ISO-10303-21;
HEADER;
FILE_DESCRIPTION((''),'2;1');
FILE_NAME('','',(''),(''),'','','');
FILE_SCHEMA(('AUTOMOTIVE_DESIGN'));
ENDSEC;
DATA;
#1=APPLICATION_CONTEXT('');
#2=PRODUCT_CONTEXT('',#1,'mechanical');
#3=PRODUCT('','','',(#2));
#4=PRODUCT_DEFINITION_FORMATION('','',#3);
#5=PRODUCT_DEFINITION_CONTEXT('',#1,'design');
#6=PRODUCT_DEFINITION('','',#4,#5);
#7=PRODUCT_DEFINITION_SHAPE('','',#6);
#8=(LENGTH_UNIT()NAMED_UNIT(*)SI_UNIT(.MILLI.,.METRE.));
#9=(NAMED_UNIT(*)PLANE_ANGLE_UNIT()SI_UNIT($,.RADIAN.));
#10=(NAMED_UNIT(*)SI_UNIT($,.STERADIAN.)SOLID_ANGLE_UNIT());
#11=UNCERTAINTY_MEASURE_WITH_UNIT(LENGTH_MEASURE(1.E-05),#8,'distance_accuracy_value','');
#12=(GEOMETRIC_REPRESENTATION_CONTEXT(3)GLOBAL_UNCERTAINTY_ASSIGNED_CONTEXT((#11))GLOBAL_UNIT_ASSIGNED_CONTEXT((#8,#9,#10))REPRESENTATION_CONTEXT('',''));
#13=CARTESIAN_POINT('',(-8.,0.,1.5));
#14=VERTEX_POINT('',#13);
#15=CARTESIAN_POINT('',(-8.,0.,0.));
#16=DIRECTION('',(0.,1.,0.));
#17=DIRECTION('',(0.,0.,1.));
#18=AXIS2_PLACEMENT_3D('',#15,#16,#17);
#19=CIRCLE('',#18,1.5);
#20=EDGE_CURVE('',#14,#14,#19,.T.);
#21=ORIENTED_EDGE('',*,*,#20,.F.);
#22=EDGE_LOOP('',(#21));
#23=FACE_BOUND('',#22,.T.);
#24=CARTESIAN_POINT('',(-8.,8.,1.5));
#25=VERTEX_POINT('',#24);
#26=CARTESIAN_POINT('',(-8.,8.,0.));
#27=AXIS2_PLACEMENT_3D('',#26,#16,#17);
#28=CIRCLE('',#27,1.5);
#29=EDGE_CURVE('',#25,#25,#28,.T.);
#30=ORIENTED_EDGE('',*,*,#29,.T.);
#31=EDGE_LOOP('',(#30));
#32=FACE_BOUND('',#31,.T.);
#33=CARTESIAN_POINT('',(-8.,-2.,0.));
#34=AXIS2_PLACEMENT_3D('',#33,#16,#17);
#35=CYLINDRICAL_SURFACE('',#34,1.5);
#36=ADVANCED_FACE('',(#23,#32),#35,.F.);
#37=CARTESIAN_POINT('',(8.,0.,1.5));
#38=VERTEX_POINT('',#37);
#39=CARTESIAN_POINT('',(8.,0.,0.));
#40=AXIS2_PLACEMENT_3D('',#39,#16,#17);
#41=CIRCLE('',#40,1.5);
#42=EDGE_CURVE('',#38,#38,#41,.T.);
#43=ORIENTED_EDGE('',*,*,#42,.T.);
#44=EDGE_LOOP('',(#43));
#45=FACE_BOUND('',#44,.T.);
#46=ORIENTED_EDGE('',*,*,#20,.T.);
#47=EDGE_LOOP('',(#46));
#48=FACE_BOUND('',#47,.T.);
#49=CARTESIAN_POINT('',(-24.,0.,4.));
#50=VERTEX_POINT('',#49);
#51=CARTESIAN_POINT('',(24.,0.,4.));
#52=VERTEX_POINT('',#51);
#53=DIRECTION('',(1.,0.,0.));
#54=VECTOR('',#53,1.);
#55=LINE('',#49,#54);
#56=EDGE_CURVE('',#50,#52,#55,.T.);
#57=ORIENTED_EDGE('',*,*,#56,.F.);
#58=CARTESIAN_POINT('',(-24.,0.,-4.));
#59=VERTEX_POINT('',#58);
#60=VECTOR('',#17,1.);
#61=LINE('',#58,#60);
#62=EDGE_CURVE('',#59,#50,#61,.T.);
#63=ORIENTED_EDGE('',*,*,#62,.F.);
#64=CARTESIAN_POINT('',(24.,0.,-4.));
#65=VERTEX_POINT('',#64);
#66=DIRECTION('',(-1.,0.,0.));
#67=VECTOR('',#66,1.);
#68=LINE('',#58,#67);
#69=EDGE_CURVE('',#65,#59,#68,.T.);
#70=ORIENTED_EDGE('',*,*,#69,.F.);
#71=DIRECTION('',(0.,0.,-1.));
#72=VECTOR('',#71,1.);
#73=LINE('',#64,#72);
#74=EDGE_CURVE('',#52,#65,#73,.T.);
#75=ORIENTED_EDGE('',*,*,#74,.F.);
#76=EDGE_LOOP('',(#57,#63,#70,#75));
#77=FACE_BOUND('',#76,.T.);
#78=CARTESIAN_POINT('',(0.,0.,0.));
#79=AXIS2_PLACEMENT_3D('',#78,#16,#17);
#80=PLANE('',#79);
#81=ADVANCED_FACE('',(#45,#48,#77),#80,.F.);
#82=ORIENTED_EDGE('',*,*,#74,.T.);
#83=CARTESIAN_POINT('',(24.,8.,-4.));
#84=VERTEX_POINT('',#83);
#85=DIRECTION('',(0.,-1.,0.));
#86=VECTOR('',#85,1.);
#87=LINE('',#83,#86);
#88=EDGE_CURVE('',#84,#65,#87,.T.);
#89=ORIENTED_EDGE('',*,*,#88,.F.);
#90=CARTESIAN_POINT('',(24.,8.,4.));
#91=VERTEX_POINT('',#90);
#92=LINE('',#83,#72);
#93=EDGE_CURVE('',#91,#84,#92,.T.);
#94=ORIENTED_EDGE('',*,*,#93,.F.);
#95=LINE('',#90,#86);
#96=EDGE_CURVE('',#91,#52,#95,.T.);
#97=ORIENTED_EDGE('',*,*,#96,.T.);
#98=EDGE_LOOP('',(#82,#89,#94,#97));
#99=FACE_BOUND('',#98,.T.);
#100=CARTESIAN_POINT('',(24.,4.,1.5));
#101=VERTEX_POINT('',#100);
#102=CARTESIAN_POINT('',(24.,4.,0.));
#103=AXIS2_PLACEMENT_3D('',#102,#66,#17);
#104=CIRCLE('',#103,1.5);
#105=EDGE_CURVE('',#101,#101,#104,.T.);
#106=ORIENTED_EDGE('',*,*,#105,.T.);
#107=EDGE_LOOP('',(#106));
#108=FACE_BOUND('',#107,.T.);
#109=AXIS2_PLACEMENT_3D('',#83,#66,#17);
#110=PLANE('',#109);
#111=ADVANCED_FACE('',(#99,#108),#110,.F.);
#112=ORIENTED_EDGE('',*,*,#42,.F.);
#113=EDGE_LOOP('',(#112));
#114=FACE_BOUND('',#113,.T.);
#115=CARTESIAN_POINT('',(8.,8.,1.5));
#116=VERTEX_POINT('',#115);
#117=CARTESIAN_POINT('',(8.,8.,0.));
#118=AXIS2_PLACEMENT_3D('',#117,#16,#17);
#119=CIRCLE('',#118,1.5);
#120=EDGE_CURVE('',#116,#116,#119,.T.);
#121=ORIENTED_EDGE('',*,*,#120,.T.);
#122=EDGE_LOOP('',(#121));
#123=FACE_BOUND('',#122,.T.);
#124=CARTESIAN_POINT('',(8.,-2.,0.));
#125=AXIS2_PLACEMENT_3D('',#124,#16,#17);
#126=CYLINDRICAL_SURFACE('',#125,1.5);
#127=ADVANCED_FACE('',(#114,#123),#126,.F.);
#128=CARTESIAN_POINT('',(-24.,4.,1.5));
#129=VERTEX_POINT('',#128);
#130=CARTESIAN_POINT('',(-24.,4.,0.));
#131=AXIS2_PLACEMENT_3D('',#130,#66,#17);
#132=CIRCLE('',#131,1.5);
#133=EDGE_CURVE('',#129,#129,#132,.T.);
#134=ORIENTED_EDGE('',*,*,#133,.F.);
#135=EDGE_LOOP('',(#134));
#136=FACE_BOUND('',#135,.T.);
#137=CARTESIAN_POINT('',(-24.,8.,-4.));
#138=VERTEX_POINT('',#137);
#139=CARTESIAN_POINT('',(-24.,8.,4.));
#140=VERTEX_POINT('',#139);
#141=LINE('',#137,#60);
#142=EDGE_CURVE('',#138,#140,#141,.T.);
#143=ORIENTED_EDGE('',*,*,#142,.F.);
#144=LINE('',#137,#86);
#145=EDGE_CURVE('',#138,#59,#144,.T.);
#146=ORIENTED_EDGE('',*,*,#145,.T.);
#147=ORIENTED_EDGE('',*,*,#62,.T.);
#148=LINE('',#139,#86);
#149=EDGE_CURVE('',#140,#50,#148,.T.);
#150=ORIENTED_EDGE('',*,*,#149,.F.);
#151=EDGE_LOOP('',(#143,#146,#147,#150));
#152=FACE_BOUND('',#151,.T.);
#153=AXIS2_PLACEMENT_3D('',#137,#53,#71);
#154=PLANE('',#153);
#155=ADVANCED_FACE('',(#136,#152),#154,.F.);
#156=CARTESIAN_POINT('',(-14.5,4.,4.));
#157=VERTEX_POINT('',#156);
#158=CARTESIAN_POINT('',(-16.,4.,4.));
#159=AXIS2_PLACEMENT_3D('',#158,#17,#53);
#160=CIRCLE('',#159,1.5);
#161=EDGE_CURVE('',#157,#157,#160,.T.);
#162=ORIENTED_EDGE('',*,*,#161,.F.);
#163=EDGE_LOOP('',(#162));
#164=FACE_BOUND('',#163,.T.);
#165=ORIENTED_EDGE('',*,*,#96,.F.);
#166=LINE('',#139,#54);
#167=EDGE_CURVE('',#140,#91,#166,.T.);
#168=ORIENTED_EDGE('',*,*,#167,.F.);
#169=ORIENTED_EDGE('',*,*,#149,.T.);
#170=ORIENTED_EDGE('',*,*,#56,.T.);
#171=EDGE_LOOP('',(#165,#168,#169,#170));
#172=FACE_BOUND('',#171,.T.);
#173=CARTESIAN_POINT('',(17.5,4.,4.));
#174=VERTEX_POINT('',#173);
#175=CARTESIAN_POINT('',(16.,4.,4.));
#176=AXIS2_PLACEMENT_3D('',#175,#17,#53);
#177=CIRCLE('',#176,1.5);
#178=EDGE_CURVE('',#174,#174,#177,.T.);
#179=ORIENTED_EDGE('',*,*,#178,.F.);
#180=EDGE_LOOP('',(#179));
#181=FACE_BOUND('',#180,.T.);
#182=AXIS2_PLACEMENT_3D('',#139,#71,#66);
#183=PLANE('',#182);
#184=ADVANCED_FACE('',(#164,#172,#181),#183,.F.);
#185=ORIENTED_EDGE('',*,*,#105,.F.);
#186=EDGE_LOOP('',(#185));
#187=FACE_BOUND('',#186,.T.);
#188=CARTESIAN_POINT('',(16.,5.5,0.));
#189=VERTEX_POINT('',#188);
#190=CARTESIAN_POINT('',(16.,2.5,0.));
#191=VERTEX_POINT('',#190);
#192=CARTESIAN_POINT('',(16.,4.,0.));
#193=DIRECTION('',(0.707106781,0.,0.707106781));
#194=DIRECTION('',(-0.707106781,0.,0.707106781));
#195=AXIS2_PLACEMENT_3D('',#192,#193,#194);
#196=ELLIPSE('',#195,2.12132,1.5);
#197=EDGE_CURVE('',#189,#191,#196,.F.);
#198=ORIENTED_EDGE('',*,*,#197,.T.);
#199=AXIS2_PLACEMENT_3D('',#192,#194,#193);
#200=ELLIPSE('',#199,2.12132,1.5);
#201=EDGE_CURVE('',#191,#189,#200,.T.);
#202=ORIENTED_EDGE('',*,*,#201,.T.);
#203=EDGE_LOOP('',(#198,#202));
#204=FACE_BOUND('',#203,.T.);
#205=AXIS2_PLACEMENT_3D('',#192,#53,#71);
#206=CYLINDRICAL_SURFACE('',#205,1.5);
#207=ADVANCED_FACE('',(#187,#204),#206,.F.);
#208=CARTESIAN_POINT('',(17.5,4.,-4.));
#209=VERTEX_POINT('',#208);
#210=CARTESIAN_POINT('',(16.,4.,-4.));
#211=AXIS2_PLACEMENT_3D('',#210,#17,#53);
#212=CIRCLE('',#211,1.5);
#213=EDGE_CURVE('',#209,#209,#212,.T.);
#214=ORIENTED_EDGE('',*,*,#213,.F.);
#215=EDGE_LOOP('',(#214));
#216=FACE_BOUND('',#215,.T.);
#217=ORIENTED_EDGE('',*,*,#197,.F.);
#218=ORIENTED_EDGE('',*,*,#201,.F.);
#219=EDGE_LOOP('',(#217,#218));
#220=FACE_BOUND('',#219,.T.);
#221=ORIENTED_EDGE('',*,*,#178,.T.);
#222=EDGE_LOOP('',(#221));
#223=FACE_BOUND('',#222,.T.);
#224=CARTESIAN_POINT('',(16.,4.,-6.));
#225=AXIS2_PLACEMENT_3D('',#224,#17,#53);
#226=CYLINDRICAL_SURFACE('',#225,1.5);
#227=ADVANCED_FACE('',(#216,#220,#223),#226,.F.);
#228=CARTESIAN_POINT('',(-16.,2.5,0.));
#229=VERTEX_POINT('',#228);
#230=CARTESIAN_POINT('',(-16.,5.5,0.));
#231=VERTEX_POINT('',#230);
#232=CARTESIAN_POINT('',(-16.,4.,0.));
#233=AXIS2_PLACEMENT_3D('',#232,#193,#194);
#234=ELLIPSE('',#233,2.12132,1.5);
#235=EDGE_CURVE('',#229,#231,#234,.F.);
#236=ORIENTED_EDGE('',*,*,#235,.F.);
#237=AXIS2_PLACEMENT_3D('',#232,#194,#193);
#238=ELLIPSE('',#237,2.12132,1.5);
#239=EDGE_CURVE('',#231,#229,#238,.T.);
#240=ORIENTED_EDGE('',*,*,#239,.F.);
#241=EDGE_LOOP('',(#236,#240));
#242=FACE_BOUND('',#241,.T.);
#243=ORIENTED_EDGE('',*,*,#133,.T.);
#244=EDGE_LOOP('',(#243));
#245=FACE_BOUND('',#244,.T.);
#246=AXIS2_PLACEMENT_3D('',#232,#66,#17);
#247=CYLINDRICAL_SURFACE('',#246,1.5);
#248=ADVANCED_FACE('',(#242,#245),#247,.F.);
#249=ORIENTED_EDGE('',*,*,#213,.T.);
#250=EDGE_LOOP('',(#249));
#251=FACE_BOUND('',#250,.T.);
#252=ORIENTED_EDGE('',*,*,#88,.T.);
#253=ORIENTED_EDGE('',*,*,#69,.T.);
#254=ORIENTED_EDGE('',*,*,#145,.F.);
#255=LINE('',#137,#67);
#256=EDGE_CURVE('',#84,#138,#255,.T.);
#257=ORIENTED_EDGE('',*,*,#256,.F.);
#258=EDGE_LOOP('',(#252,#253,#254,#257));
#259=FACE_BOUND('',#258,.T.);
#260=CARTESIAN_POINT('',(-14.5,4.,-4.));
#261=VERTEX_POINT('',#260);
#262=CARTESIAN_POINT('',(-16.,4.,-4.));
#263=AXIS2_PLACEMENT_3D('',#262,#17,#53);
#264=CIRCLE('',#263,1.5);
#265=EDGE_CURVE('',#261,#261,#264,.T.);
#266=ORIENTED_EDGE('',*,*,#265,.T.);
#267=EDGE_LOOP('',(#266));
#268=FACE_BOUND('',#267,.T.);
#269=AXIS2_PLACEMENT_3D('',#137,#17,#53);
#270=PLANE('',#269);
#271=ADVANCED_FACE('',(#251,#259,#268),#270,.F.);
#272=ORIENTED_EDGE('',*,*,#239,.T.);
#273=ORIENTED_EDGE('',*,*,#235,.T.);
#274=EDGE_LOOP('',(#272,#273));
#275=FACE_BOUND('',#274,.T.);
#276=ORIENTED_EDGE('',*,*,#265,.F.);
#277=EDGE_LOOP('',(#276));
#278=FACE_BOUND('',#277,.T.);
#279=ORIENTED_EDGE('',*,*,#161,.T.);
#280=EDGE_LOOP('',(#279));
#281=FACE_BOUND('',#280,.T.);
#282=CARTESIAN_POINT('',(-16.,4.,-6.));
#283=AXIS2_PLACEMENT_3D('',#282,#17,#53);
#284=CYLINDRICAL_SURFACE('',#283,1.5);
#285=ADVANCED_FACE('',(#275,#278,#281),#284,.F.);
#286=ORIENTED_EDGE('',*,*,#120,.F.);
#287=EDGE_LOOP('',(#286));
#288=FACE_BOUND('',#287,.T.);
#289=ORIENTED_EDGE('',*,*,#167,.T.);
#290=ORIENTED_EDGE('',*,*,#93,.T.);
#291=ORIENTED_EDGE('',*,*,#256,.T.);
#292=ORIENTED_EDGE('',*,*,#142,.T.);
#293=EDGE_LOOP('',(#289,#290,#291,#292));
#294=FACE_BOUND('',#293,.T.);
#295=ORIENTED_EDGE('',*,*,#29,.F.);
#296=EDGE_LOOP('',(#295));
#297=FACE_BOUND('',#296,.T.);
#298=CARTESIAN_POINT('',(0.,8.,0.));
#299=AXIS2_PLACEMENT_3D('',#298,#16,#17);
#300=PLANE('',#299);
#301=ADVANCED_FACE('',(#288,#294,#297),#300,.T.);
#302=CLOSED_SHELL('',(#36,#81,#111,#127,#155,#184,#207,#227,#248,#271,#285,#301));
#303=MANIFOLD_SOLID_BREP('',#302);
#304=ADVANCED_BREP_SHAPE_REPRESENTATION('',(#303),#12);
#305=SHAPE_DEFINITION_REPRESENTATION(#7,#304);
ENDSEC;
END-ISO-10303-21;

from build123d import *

# Parameters (mm, degrees)
SKETCH_1_W          = 48
SKETCH_1_H          = 8
EXTRUDE_1_DEPTH     = 8
SKETCH_2_R          = 1.5
CUT_EXTRUDE_1_DEPTH = 10
SKETCH_3_R          = 1.5
CUT_EXTRUDE_2_DEPTH = 10
SKETCH_4_R          = 1.5
CUT_EXTRUDE_3_DEPTH = 8


with BuildPart() as part:
    # 草图1 → 凸台-拉伸1 (new body)
    with BuildSketch(Plane(origin=(0, 0, 0), x_dir=(1, 0, 0), z_dir=(0, 1, 0))):
        Rectangle(SKETCH_1_W, SKETCH_1_H)
    extrude(amount=EXTRUDE_1_DEPTH)

    # 草图2 → 切除-拉伸1 (cut)
    with BuildSketch(Plane.XY.offset(4)):
        with Locations((-16, 4)):
            Circle(SKETCH_2_R)
        with Locations((16, 4)):
            Circle(SKETCH_2_R)
    extrude(amount=-CUT_EXTRUDE_1_DEPTH, mode=Mode.SUBTRACT)

    # 草图3 → 切除-拉伸2 (cut)
    with BuildSketch(Plane(origin=(0, 8, 0), x_dir=(1, 0, 0), z_dir=(0, 1, 0))):
        with Locations(Location((-8, 0, 0), (0, 0, 270))):
            Circle(SKETCH_3_R)
        with Locations(Location((8, 0, 0), (0, 0, 270))):
            Circle(SKETCH_3_R)
    extrude(amount=-CUT_EXTRUDE_2_DEPTH, mode=Mode.SUBTRACT)

    # 草图4 → 切除-拉伸3 (cut)
    with BuildSketch(Plane.ZY.offset(24)):
        with Locations((0, 4)):
            Circle(SKETCH_4_R)
    cut_extrude_3 = extrude(amount=-CUT_EXTRUDE_3_DEPTH, mode=Mode.SUBTRACT)

    # 镜向1: 切除-拉伸3 across plane
    add(cut_extrude_3.mirror(Plane(origin=(0, 0, 0), x_dir=(0, 0, 1), z_dir=(1, 0, 0))), mode=Mode.SUBTRACT)


solid = part.part
